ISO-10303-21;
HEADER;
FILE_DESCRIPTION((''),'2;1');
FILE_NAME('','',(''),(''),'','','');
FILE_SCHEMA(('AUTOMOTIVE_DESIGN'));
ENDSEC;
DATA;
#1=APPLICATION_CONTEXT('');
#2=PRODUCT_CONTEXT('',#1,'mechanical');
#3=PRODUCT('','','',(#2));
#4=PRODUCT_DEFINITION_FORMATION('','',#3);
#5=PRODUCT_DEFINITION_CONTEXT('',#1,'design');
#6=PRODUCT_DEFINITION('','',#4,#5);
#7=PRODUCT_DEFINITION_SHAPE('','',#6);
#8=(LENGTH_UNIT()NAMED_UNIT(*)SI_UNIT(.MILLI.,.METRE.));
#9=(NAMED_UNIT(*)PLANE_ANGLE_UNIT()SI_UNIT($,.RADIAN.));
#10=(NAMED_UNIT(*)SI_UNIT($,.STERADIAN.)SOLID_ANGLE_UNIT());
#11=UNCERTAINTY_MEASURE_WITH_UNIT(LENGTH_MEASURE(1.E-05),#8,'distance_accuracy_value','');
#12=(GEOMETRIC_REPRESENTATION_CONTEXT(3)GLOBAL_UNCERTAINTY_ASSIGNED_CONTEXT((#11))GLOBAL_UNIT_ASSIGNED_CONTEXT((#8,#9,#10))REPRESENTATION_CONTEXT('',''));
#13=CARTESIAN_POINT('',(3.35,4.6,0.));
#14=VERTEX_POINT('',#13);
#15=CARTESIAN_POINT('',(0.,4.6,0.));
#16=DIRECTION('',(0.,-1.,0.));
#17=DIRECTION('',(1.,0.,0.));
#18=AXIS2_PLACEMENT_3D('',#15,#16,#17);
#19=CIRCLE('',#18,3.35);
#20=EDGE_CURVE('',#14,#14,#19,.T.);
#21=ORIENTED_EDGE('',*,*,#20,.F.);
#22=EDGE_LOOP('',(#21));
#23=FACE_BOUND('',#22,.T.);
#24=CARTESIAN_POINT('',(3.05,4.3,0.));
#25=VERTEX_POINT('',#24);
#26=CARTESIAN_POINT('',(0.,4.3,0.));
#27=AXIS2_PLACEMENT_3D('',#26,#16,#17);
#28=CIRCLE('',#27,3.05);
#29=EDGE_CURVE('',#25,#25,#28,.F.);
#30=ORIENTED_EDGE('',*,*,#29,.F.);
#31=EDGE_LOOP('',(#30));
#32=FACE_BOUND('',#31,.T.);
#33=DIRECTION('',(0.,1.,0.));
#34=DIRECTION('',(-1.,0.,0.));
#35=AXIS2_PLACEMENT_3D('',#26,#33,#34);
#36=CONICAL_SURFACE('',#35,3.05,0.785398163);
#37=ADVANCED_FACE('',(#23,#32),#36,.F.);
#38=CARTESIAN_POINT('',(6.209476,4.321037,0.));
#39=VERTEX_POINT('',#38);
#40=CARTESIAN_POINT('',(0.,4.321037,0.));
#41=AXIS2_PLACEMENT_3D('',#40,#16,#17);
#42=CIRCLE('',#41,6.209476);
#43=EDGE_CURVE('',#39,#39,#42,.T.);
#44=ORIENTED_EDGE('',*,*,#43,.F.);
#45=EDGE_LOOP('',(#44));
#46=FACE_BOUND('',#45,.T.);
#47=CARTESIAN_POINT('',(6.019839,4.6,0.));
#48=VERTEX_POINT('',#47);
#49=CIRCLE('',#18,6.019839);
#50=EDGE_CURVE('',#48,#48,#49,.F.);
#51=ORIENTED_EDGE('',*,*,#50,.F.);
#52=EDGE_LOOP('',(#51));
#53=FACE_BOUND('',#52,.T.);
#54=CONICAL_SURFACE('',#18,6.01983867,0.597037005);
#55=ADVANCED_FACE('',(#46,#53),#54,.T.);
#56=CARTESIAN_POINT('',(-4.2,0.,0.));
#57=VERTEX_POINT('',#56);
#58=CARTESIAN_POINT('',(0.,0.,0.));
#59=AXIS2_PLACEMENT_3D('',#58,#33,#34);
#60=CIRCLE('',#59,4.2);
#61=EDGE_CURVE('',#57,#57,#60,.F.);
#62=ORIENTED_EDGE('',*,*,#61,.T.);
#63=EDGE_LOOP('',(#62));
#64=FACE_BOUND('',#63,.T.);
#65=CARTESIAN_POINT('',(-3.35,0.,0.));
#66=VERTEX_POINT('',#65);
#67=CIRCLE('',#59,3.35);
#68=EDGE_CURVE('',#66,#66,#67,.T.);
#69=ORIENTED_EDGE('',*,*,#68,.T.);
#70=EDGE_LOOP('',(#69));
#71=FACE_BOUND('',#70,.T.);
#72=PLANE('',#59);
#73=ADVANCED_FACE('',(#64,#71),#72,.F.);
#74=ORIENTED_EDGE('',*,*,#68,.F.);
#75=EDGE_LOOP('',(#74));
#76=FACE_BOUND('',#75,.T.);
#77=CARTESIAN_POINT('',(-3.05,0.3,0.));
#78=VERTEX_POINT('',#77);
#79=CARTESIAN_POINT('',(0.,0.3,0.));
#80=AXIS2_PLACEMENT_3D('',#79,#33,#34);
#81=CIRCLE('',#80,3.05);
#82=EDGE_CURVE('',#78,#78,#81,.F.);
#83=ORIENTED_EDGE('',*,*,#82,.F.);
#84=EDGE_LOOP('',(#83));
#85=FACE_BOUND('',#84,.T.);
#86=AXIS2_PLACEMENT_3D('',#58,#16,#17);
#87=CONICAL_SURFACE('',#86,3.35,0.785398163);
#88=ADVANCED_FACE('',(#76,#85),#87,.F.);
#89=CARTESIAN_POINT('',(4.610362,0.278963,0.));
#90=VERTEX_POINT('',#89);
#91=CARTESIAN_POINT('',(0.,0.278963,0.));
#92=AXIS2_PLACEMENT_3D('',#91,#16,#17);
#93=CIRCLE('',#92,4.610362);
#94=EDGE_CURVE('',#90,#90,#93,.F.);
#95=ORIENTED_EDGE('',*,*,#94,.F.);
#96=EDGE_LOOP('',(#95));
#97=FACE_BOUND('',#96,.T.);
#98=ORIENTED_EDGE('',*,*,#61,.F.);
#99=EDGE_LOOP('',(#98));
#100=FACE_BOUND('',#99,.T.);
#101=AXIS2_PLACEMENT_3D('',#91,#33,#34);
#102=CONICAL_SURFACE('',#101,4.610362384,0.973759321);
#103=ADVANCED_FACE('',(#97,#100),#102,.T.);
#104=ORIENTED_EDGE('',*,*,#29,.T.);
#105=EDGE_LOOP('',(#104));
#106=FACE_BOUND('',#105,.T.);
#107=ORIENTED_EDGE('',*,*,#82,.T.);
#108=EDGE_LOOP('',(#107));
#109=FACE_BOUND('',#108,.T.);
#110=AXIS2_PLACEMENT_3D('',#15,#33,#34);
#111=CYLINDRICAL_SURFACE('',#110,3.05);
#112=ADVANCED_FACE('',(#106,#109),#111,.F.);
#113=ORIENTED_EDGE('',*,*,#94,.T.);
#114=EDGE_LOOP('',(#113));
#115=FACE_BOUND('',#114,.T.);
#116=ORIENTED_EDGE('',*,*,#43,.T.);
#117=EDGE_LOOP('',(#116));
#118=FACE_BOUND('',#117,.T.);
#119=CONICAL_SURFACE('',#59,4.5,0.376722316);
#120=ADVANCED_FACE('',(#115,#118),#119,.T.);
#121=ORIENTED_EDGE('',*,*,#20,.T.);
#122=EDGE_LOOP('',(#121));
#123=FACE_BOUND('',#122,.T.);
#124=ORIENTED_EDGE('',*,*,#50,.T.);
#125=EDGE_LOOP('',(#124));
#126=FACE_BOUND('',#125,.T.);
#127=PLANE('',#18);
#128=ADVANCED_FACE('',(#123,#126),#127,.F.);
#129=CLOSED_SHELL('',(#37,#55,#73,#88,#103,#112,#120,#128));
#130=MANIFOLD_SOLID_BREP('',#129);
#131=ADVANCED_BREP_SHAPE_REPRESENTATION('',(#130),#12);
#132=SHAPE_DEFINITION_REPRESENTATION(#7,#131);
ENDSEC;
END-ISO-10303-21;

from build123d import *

# Parameters (mm, degrees)
CHAMFER3_SIZE = 0.3


with BuildPart() as part:
    # Sketch3 → Revolve1 (revolve)
    with BuildSketch(Plane.XY):
        Polygon((3.05, 4.6), (3.05, 0), (4.5, 0), (6.31983867, 4.6), align=None)
    revolve(axis=Axis((0, 4.6, 0), (0, -1, 0)))

    # Chamfer3
    chamfer3_edges = [part.edges().sort_by_distance(p)[0] for p in [
        (-6.31983867, 4.6, 0),
        (-4.5, 0, 0),
        (-3.05, 0, 0),
        (-3.05, 4.6, 0),
    ]]
    chamfer(chamfer3_edges, length=CHAMFER3_SIZE)


solid = part.part
